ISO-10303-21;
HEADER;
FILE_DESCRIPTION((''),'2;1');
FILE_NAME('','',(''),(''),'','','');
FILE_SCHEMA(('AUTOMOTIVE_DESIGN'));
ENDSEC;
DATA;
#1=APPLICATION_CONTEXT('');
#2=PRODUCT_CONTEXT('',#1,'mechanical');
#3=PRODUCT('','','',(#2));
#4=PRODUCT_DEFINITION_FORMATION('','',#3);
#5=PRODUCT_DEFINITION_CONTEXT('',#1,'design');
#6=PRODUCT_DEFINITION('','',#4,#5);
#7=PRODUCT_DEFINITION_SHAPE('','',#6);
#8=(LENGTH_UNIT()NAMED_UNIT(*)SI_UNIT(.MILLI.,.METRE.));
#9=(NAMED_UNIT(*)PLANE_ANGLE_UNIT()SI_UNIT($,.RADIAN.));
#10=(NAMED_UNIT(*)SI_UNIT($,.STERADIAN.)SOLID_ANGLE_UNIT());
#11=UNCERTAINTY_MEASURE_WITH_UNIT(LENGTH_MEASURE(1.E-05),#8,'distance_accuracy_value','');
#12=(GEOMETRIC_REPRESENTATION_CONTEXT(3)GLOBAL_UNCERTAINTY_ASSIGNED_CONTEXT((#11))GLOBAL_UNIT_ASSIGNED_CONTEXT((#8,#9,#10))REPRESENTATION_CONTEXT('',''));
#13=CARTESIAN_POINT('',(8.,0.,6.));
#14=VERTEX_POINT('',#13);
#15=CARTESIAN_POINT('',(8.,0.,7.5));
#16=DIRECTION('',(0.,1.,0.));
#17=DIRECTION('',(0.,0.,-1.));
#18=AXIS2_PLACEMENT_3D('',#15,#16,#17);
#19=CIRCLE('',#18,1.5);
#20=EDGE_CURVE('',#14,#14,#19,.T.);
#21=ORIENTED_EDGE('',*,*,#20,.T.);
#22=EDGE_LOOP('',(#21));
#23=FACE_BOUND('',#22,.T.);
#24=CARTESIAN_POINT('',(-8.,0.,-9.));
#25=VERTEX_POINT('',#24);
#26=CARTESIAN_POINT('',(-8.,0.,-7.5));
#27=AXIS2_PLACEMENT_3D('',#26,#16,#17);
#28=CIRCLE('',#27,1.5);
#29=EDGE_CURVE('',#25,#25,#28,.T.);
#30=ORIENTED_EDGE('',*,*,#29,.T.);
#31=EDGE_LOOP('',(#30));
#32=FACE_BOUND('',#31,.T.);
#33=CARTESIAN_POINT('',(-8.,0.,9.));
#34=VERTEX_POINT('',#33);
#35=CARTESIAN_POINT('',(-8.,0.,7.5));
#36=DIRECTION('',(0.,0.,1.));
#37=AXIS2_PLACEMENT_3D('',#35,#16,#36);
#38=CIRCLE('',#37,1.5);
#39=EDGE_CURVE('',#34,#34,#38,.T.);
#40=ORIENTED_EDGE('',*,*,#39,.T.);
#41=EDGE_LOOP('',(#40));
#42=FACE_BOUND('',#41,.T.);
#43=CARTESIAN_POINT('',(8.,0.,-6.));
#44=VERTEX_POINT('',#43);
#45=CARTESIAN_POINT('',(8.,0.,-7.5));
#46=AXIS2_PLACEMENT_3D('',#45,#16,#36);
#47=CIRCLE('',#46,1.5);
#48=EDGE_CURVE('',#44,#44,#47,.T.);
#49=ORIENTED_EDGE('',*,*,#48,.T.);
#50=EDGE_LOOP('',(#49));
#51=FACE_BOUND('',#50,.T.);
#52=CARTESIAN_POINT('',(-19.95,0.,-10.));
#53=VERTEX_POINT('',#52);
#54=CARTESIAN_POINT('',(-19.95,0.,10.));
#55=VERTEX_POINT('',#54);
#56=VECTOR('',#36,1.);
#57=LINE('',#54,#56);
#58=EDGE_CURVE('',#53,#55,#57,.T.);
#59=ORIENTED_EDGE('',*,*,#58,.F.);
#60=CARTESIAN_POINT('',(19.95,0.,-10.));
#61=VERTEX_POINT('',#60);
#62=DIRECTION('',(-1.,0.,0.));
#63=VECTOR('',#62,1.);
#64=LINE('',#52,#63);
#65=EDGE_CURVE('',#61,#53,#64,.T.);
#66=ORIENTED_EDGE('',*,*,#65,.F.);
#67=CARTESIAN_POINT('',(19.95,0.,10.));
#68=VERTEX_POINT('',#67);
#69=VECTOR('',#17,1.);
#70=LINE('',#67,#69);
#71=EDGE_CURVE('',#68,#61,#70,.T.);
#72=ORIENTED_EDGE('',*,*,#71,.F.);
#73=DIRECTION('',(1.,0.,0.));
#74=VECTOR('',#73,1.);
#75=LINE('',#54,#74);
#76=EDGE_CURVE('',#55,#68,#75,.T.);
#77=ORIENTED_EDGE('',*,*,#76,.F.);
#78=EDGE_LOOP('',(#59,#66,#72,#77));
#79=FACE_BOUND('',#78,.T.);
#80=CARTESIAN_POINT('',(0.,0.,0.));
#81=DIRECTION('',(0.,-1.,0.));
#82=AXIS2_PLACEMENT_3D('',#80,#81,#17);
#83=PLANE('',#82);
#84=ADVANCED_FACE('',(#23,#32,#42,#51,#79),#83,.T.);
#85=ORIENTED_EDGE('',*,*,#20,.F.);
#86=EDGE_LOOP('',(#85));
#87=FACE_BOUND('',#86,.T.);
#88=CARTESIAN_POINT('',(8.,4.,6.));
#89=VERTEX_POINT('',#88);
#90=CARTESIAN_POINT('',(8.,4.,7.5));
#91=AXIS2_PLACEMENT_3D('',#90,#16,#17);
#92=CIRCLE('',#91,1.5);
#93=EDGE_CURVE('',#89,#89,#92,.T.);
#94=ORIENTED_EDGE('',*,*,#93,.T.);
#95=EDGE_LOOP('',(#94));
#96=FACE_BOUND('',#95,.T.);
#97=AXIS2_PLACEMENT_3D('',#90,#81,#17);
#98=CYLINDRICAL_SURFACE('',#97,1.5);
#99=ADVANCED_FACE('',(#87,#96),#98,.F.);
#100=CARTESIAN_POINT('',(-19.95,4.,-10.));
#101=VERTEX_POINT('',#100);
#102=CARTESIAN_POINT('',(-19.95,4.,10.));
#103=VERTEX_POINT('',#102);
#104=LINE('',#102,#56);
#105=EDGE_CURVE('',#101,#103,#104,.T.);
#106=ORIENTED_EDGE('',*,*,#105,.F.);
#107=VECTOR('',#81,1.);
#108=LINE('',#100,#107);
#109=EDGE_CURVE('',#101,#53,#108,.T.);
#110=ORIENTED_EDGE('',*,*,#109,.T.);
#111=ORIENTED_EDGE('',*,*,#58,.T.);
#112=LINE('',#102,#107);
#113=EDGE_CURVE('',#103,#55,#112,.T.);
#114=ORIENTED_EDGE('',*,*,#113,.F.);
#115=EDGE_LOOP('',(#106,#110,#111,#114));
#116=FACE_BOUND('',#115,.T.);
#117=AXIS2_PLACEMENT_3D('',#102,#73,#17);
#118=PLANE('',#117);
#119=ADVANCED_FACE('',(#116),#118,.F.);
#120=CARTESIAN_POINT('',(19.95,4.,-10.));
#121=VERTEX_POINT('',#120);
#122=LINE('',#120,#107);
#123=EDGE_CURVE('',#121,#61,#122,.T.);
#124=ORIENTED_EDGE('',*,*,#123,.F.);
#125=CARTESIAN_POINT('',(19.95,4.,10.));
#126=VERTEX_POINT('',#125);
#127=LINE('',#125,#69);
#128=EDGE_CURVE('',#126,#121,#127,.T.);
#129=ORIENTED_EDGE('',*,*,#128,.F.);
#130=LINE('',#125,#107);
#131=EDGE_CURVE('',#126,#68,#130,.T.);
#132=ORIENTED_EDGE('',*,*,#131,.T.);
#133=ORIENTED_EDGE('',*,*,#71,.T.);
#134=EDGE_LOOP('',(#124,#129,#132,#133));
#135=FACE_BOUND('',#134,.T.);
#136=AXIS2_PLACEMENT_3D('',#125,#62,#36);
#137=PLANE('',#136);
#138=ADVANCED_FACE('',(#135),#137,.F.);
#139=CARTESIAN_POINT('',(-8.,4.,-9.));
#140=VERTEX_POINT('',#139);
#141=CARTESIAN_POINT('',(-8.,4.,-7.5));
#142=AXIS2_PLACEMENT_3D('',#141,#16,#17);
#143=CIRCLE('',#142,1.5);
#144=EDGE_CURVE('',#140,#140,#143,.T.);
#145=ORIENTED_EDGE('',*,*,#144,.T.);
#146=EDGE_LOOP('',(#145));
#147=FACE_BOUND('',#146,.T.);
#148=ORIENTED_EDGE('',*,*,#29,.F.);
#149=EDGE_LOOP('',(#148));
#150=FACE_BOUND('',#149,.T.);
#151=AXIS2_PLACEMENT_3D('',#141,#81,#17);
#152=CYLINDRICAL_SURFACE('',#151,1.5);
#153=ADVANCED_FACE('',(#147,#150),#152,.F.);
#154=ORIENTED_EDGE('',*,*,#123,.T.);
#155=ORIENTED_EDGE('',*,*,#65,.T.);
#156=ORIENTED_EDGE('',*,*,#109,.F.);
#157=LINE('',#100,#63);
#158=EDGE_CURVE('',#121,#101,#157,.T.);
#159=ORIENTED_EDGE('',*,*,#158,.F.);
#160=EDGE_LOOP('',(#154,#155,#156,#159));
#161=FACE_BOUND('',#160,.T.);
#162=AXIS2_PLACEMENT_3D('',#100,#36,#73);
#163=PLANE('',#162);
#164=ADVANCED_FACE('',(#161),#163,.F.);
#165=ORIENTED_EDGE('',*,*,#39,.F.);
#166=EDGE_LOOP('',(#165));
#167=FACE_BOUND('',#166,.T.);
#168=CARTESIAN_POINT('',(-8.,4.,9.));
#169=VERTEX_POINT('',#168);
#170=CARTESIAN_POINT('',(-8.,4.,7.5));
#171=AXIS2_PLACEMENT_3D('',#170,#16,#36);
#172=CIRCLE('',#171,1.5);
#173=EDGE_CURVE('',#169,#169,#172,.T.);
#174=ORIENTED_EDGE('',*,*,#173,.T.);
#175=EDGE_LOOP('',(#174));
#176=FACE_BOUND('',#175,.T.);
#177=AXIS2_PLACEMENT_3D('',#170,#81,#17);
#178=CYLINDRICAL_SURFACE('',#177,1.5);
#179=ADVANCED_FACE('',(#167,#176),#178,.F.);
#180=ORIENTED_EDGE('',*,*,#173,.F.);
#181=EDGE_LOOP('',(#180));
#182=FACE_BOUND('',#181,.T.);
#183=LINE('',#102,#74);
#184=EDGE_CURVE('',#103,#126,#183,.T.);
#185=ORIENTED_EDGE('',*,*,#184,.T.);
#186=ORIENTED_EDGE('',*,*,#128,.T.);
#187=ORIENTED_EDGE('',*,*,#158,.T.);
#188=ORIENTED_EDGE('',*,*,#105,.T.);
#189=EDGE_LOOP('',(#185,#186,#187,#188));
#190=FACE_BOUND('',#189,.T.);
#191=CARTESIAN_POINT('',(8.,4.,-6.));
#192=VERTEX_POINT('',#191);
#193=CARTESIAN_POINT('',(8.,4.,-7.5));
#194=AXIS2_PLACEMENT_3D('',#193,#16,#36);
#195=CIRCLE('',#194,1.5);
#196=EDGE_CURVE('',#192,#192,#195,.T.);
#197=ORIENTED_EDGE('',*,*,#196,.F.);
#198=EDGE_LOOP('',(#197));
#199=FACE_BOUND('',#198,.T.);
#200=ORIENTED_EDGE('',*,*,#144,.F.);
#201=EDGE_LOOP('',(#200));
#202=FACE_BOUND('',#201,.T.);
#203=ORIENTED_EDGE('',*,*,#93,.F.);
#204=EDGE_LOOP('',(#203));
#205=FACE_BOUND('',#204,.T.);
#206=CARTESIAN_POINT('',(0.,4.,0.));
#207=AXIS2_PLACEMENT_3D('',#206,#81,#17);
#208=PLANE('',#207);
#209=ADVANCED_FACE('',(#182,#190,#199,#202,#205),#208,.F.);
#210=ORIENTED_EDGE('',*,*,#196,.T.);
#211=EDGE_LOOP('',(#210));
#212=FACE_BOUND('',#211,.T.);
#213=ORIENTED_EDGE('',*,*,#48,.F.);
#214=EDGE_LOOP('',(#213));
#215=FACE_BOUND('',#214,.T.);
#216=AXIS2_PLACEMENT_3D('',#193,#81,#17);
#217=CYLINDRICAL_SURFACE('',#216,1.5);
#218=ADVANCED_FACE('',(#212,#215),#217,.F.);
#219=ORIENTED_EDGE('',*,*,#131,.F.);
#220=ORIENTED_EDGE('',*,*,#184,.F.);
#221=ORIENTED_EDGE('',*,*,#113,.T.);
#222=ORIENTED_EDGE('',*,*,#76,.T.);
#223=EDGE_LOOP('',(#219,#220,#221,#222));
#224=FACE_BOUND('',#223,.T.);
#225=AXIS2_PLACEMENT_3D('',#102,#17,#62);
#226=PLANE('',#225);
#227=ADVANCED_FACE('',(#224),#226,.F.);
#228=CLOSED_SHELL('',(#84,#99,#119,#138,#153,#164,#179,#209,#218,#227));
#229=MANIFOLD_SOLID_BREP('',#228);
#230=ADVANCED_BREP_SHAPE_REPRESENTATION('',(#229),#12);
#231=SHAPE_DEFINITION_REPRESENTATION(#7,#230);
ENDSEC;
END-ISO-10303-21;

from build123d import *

# Parameters (mm, degrees)
SKETCH_1_W      = 39.9
SKETCH_1_H      = 20
SKETCH_1_R      = 1.5
EXTRUDE_1_DEPTH = 4


with BuildPart() as part:
    # 草图1 → 凸台-拉伸1 (new body)
    with BuildSketch(Plane(origin=(0, 0, 0), x_dir=(1, 0, 0), z_dir=(0, 1, 0))):
        Rectangle(SKETCH_1_W, SKETCH_1_H)
        with Locations(Location((8, 7.5, 0), (0, 0, 270))):
            Circle(SKETCH_1_R, mode=Mode.SUBTRACT)
        with Locations(Location((8, -7.5, 0), (0, 0, 90))):
            Circle(SKETCH_1_R, mode=Mode.SUBTRACT)
        with Locations(Location((-8, -7.5, 0), (0, 0, 270))):
            Circle(SKETCH_1_R, mode=Mode.SUBTRACT)
        with Locations(Location((-8, 7.5, 0), (0, 0, 90))):
            Circle(SKETCH_1_R, mode=Mode.SUBTRACT)
    extrude(amount=EXTRUDE_1_DEPTH)


solid = part.part
